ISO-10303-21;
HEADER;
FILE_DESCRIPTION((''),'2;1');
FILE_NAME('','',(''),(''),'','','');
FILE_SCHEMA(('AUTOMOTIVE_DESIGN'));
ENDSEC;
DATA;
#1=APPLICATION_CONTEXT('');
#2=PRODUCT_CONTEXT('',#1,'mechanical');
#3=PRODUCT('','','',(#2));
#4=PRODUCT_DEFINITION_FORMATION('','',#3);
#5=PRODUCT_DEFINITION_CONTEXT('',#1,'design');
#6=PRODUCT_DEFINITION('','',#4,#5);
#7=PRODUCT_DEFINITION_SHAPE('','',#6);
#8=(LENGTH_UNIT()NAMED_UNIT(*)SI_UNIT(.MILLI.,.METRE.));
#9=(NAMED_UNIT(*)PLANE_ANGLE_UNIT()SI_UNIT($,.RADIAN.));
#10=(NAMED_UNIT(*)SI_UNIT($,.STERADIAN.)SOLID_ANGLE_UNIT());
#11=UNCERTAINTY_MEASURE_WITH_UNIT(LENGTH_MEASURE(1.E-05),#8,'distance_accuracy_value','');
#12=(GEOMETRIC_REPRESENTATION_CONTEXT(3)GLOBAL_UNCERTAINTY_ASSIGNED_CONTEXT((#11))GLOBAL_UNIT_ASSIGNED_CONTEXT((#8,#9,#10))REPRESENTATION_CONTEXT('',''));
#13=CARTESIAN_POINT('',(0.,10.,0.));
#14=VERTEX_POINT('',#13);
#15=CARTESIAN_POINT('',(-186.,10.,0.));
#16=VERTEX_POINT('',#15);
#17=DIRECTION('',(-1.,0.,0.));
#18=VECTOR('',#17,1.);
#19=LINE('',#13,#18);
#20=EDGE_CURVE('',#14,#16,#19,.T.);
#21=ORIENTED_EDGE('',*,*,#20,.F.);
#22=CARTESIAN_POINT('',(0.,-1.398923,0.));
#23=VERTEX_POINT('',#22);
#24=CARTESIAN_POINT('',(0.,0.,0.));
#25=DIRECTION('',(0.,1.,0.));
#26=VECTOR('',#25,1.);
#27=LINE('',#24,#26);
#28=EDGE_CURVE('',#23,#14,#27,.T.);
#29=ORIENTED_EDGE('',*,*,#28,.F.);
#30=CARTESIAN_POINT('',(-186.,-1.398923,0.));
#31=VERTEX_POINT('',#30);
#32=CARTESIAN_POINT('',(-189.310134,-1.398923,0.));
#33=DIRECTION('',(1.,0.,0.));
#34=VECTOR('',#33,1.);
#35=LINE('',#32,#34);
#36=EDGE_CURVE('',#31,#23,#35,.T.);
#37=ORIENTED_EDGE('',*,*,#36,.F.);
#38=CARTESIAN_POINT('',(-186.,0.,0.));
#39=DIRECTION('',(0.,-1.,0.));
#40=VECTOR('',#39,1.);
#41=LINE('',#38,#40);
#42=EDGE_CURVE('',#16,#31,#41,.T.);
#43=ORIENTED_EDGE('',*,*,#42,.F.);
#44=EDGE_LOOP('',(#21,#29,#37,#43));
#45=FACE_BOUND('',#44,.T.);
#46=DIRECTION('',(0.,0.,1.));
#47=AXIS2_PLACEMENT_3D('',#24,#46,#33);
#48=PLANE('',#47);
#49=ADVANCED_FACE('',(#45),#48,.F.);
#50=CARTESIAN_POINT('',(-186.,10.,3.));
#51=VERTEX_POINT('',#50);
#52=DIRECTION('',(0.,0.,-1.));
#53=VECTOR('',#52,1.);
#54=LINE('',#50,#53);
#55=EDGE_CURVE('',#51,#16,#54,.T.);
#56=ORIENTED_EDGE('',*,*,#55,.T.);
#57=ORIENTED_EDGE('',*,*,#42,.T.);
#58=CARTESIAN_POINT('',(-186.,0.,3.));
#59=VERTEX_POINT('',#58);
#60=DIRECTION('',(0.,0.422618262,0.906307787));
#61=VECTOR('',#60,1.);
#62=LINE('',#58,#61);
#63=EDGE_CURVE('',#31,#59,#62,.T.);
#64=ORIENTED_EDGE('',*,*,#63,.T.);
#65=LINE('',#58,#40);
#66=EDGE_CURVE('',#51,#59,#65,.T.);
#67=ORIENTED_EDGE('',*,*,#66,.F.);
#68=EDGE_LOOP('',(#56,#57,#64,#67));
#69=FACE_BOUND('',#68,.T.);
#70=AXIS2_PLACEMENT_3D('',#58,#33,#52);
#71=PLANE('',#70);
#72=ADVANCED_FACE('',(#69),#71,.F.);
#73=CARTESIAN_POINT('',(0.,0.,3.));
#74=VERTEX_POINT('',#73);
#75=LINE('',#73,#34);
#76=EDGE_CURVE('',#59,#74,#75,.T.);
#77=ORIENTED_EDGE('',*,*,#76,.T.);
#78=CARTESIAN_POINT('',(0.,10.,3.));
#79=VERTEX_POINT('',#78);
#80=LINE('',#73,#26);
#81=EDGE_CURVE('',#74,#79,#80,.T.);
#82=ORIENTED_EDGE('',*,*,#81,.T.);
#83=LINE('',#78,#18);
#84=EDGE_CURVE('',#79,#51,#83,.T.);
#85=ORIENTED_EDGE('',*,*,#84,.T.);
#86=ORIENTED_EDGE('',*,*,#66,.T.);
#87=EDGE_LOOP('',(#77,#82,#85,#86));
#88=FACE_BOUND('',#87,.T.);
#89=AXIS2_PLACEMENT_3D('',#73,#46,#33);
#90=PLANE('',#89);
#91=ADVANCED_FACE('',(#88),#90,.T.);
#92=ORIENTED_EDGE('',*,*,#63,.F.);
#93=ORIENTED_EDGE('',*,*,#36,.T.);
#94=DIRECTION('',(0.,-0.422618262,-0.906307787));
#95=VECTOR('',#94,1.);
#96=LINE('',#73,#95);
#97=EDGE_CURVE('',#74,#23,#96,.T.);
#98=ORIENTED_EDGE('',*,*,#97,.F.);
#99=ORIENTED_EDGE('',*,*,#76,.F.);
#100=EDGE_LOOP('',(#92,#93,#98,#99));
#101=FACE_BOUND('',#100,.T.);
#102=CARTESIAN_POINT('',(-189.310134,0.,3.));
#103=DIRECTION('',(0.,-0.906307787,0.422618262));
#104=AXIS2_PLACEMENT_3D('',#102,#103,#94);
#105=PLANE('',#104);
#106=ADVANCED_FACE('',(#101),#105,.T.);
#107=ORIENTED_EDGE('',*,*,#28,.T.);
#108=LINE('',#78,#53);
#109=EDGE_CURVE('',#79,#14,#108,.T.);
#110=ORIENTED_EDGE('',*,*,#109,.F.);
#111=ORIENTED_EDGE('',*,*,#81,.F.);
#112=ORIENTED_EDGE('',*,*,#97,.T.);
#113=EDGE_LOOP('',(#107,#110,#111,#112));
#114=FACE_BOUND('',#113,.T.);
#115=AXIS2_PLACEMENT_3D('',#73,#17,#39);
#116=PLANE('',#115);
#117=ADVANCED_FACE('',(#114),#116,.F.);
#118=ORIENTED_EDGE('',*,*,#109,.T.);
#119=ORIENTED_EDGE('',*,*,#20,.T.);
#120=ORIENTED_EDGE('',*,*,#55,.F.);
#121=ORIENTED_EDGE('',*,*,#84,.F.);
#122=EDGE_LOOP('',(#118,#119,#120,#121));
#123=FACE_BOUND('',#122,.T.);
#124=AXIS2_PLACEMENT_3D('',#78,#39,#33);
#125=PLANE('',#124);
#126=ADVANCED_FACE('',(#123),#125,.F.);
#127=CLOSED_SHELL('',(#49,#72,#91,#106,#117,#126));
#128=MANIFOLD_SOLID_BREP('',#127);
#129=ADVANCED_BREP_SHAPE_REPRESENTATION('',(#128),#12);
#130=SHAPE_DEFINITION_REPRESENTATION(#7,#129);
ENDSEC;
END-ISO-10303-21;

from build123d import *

# Parameters (mm, degrees)
ESQUISSE1_W        = 186
ESQUISSE1_H        = 10
BOSS_EXTRU_1_DEPTH = 3
BOSS_EXTRU_2_DEPTH = 186


with BuildPart() as part:
    # Esquisse1 → Boss.-Extru.1 (new body)
    with BuildSketch(Plane.XY):
        with Locations((-93, 5)):
            Rectangle(ESQUISSE1_W, ESQUISSE1_H)
    extrude(amount=BOSS_EXTRU_1_DEPTH)

    # Esquisse3 → Boss.-Extru.2 (add)
    with BuildSketch(Plane(origin=(0, 0, 0), x_dir=(0, 0, -1), z_dir=(1, 0, 0))):
        Polygon((-3, 0), (0, -1.398922974), (0, 0), align=None)
    extrude(amount=-BOSS_EXTRU_2_DEPTH)


solid = part.part
